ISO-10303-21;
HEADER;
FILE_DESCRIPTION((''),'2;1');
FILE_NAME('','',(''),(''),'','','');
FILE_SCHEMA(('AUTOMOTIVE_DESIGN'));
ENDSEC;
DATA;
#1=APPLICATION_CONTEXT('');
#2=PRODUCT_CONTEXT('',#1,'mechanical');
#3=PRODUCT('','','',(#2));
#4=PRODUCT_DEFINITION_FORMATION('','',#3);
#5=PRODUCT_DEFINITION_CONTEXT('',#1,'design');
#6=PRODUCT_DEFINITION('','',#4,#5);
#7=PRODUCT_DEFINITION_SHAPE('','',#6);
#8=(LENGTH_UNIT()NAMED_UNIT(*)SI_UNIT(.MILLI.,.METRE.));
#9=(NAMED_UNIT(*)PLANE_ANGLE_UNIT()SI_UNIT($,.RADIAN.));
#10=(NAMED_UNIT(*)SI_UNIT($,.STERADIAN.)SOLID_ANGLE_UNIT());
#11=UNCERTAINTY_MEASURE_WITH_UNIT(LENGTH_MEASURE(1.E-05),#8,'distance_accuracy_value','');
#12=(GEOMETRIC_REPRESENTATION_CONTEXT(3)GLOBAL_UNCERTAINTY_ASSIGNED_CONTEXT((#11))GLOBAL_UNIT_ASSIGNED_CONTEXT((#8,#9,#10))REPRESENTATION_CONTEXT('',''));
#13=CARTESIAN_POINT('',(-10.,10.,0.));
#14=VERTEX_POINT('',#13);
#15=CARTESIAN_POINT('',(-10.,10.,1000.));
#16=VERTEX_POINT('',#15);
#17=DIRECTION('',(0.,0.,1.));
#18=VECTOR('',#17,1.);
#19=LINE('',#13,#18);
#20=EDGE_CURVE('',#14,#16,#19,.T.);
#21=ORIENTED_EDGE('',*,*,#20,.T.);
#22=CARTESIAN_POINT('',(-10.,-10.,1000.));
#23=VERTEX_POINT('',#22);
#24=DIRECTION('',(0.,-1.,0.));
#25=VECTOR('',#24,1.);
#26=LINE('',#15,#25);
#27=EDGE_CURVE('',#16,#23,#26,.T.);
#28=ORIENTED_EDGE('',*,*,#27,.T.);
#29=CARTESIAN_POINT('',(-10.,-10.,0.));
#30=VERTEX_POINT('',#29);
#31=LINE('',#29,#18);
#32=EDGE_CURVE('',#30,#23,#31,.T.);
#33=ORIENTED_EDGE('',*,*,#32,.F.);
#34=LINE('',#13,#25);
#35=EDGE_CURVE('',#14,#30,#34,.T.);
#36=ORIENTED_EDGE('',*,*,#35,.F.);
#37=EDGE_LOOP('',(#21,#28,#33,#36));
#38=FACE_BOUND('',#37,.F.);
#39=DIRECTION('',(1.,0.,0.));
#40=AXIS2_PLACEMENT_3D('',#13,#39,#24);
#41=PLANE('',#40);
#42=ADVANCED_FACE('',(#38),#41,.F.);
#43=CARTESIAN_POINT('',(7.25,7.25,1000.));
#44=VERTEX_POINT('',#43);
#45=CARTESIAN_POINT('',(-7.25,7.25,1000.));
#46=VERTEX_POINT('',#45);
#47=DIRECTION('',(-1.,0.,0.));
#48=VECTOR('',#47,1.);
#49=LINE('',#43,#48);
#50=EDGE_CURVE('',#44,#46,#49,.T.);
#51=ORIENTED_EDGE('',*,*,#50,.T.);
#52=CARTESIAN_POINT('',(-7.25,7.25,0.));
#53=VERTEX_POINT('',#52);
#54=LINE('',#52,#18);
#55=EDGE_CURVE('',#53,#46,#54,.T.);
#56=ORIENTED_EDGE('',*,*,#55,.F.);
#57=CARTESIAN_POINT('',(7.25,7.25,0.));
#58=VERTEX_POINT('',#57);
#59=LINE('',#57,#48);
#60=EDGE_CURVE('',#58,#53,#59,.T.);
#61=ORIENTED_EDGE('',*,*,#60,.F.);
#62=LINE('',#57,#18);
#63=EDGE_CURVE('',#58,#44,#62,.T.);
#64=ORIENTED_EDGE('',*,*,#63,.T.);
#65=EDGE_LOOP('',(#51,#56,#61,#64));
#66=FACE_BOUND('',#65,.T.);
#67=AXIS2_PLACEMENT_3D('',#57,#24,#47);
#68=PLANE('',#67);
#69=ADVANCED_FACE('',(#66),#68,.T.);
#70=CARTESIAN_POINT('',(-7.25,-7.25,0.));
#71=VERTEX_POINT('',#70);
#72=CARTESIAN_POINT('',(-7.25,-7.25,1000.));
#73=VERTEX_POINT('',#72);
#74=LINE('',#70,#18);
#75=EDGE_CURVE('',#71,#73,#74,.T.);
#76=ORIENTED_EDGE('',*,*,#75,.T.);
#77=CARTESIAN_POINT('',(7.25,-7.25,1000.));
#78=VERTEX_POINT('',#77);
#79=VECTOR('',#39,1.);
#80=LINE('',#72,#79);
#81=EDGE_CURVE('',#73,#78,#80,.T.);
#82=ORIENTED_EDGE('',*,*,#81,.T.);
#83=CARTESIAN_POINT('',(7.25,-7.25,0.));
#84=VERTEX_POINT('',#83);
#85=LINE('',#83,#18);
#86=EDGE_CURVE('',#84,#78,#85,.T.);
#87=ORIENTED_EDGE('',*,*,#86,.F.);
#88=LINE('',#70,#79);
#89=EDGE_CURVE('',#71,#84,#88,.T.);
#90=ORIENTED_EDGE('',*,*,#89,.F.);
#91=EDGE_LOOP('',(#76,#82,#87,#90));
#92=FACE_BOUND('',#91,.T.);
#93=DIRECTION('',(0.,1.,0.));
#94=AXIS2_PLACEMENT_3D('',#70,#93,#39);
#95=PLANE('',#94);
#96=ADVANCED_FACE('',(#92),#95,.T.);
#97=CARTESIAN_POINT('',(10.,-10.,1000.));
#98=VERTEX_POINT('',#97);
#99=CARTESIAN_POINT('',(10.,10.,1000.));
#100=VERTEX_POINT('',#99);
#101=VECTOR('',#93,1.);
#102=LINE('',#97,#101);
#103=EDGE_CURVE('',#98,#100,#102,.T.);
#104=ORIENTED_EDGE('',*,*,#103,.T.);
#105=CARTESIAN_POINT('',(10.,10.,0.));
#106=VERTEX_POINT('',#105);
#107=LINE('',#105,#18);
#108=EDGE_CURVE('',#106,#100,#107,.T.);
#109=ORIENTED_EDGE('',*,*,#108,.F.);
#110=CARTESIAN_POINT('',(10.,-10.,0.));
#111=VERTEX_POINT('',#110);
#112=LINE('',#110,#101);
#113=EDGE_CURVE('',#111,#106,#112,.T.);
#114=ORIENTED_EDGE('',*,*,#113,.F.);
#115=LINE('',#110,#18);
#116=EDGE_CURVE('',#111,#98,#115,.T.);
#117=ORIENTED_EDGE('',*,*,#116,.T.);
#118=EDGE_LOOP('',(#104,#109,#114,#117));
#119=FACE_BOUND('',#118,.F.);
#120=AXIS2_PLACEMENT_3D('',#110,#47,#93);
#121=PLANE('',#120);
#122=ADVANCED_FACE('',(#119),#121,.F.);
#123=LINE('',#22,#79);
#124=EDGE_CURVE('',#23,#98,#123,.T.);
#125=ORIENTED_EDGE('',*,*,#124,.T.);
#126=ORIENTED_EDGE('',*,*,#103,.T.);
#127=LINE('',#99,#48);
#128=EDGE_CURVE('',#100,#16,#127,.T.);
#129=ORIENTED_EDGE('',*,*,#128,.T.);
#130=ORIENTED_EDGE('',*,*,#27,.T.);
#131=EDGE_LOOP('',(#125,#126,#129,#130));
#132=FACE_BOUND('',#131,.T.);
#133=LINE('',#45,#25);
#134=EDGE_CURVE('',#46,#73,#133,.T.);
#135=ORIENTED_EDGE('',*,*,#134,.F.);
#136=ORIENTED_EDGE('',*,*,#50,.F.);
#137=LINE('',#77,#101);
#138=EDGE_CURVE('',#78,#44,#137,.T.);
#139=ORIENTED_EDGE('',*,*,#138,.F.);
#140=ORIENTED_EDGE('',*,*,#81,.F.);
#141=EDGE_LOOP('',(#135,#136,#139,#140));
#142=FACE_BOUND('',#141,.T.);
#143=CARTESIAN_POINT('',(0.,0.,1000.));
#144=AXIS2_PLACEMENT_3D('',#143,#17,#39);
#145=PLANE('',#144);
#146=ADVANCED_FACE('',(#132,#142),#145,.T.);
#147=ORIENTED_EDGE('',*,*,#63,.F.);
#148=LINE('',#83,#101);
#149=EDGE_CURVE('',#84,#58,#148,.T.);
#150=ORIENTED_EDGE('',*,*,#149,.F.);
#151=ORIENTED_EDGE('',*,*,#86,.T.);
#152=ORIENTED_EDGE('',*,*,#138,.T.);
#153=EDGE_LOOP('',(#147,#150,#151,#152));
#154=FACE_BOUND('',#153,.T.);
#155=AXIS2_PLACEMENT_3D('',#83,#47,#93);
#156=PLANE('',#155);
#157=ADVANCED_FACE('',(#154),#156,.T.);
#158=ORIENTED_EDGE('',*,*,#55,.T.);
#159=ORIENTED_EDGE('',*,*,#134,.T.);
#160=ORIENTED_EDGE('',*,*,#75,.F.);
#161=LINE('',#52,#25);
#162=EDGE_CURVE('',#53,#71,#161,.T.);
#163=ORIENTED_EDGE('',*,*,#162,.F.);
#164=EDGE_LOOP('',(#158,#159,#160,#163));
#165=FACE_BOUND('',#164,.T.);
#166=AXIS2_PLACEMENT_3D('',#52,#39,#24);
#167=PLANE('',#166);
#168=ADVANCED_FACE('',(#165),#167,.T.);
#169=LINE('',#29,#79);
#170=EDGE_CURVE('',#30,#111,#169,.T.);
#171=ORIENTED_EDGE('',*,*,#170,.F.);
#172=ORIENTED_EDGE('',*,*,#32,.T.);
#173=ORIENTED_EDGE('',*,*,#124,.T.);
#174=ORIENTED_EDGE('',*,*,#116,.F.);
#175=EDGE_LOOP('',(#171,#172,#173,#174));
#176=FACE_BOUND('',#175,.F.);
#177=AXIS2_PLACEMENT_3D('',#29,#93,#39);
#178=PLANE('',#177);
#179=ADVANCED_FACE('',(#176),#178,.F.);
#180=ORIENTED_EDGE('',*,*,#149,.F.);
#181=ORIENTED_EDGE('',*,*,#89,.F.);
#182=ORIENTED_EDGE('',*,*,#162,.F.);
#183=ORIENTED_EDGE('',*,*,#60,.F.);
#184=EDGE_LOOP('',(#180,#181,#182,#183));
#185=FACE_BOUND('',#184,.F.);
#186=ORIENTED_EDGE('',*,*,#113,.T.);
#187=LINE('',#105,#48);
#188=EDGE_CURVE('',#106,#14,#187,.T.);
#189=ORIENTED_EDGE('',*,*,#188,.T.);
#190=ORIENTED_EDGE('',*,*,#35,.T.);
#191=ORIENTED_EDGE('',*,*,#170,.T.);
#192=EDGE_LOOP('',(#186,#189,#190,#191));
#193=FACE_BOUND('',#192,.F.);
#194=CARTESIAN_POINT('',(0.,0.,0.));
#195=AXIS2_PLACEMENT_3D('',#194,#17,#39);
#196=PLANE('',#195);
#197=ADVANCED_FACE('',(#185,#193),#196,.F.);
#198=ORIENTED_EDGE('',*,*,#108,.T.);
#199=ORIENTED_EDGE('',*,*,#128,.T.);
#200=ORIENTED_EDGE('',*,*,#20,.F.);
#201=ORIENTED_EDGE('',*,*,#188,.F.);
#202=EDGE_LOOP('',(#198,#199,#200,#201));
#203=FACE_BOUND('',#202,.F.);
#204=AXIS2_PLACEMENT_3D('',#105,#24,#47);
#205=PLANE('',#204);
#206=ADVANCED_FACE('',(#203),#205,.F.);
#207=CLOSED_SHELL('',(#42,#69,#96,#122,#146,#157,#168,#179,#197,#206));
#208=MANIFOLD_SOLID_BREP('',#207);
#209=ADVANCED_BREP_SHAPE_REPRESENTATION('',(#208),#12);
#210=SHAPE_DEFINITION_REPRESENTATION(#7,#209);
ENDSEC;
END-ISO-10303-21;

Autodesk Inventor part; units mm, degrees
ref_plane "YZ Plane" through (0, 0, 0) normal (1, 0, 0) x (0, 1, 0)
ref_plane "XZ Plane" through (0, 0, 0) normal (0, 1, 0) x (-1, 0, 0)
ref_plane "XY Plane" through (0, 0, 0) normal (0, 0, 1) x (1, 0, 0)
sketch "Sketch1" plane through (0, 0, 0) normal (0, 0, 1) x (1, 0, 0)
  line L0 (-10, -10) -> (10, -10)
  line L1 (10, -10) -> (10, 10)
  line L2 (10, 10) -> (-10, 10)
  line L3 (-10, 10) -> (-10, -10)
  line L4 (-10, -10) -> (10, 10) construction
  line L5 (10, -10) -> (-10, 10) construction
  line L6 (-7.25, -7.25) -> (7.25, -7.25)
  line L7 (7.25, -7.25) -> (7.25, 7.25)
  line L8 (7.25, 7.25) -> (-7.25, 7.25)
  line L9 (-7.25, 7.25) -> (-7.25, -7.25)
  line L10 (-7.25, -7.25) -> (7.25, 7.25) construction
  line L11 (7.25, -7.25) -> (-7.25, 7.25) construction
  point P0 (0, 0)
  dimension "d0" = 20
  dimension "d1" = 20
  dimension "d2" = 14.5
  dimension "d3" = 14.5
extrude "Extrusion1" add sketch "Sketch1" along normal blind 1000
equation "\"d3\" = d2"
properties part number "aluprofile_1m" material "Aluminum 6061"
